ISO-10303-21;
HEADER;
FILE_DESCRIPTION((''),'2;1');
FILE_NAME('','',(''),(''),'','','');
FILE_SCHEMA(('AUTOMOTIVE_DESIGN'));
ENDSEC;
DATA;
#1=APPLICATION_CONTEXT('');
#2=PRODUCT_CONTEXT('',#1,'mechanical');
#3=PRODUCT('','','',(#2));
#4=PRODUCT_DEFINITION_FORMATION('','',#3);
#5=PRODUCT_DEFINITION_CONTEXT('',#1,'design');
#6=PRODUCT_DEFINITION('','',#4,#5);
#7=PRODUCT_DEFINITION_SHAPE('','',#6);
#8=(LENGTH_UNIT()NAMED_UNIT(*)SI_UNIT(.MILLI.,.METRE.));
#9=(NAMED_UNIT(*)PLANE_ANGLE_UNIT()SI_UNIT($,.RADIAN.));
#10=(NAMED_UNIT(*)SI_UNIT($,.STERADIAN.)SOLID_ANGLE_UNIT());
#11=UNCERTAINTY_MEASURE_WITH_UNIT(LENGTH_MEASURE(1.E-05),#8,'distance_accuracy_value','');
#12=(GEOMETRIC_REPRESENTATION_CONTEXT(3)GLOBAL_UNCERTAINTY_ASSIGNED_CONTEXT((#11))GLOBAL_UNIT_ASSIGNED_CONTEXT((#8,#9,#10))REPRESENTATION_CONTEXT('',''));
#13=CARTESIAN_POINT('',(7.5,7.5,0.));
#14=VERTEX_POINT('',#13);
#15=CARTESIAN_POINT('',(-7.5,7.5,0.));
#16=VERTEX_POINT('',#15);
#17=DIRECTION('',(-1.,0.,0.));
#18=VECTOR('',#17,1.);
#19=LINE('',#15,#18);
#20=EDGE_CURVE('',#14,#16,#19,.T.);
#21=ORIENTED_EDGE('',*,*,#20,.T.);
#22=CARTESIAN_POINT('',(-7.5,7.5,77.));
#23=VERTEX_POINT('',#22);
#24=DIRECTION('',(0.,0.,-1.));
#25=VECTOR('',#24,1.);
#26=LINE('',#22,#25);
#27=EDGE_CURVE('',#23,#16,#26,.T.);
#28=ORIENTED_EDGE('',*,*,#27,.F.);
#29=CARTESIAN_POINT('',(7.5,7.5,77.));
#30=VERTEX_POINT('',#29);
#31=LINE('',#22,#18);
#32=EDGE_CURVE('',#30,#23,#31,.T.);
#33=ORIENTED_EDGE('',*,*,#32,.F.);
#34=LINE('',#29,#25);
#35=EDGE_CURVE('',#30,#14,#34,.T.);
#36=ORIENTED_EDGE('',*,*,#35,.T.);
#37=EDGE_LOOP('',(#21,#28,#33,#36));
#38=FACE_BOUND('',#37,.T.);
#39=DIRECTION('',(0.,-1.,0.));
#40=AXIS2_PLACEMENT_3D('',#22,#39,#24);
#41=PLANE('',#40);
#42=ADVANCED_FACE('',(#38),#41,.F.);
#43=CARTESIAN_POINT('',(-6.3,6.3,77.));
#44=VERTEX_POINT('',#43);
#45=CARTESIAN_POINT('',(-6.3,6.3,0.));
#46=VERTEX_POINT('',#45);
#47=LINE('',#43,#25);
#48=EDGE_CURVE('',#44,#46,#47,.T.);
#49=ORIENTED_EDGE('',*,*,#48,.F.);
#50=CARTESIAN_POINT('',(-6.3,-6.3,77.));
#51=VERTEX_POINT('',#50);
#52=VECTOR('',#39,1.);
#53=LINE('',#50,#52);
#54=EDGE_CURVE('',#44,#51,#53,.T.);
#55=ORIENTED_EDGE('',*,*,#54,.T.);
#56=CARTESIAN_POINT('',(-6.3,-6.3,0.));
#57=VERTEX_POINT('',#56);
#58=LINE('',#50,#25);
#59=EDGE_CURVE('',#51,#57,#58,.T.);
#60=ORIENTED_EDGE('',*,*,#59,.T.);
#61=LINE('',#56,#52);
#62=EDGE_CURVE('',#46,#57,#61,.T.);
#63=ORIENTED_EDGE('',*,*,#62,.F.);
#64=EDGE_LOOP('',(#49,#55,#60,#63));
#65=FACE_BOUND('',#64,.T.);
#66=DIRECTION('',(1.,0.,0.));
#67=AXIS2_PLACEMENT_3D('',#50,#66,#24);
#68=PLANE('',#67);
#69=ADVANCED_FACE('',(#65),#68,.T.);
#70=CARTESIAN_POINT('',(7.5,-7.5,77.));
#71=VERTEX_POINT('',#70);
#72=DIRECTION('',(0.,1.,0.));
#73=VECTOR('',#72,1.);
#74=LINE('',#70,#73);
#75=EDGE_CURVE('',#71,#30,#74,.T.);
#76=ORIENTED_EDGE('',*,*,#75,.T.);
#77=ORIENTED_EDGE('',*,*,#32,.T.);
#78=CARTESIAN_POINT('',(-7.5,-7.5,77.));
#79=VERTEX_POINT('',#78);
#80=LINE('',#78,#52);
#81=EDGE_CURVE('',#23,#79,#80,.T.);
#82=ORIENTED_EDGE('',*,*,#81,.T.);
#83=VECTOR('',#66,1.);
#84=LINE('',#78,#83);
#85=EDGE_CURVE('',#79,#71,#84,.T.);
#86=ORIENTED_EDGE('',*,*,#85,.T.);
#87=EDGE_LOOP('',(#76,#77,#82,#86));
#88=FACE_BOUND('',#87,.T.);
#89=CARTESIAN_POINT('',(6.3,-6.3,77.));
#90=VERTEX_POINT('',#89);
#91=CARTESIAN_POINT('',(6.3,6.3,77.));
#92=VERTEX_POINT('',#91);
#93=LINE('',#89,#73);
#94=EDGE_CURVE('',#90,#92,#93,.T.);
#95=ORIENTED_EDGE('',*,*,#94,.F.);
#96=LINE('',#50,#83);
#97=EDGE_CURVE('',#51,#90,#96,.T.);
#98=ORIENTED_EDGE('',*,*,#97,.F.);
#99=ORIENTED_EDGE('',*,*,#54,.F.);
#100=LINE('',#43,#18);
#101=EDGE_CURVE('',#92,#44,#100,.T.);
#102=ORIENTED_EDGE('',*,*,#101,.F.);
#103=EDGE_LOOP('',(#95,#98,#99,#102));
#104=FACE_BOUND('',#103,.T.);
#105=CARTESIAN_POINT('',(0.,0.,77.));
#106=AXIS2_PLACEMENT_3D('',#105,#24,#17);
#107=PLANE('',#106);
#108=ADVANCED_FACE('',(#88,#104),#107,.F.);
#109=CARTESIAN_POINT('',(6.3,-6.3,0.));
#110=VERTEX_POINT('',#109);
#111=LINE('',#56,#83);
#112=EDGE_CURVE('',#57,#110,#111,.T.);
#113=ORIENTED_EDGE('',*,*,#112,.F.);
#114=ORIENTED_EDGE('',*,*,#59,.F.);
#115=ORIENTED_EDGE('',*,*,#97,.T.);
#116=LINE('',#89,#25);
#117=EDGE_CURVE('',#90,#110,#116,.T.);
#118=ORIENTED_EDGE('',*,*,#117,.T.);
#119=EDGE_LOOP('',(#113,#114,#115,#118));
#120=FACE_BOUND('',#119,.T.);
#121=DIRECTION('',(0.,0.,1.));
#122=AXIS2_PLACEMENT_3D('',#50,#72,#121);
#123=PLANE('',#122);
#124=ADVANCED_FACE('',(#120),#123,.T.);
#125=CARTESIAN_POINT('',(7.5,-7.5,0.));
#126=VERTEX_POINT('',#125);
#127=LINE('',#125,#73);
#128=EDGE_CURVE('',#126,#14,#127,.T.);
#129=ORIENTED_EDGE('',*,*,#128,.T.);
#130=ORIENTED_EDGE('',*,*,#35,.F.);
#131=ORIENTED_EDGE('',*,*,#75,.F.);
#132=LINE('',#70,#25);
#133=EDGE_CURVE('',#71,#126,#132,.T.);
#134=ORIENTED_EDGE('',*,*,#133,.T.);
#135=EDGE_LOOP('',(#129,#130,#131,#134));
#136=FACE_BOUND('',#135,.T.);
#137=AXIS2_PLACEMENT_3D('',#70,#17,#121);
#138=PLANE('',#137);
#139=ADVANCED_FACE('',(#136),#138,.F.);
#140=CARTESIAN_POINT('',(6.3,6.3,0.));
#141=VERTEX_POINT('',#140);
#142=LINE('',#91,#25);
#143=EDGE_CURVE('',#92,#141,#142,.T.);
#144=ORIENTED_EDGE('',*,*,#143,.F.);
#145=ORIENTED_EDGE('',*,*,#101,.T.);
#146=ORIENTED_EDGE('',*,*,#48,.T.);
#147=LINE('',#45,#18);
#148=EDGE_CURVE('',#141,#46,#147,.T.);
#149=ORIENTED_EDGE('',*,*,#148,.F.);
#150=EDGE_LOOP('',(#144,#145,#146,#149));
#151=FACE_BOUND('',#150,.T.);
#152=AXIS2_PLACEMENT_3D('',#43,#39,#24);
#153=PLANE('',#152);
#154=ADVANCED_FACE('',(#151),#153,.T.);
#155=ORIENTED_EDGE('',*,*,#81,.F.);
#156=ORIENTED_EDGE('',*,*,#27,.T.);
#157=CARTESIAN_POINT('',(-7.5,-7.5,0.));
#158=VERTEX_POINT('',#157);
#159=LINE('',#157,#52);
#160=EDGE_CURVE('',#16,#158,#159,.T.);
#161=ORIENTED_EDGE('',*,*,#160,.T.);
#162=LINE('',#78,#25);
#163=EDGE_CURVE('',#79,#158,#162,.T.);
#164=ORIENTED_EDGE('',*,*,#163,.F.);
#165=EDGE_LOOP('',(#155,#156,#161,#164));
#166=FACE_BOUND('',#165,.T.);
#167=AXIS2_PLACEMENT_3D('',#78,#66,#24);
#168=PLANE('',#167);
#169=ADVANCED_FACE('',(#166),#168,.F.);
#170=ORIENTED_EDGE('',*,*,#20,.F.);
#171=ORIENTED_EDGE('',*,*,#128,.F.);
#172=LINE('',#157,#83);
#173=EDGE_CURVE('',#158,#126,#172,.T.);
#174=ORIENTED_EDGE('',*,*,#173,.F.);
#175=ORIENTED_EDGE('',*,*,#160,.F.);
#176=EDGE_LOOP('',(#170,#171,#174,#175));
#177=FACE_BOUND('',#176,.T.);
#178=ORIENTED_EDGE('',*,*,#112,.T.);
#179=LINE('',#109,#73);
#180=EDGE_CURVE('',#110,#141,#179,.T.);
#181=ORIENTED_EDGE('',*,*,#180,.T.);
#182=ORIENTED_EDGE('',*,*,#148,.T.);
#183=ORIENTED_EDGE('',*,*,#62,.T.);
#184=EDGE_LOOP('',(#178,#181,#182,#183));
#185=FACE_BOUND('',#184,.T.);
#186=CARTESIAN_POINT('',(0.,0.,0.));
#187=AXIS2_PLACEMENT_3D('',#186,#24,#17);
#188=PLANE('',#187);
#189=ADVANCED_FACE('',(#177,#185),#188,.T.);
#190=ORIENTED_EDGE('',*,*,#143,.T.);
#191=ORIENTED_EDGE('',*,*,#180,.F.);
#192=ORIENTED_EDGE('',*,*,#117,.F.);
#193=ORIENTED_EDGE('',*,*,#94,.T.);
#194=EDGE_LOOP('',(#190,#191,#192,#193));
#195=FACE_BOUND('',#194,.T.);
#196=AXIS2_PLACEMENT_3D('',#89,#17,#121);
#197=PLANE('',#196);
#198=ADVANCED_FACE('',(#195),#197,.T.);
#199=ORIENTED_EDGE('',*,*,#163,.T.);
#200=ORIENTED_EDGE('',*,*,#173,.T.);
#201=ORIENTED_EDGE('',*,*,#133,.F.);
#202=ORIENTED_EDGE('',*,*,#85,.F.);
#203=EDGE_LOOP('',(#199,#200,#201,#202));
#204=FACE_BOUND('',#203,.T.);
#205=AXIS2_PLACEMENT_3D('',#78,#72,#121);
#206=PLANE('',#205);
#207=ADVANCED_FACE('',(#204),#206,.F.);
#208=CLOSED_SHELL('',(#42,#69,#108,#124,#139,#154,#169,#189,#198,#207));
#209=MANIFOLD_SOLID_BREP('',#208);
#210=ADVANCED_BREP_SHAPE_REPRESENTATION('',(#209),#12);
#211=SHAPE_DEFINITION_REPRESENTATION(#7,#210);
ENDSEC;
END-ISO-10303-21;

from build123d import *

# Parameters (mm, degrees)
SKETCH_1_W      = 15
SKETCH_1_H      = 15
SKETCH_1_W_2    = 12.6
SKETCH_1_H_2    = 12.6
EXTRUDE_1_DEPTH = 77


with BuildPart() as part:
    # 草图1 → 凸台-拉伸1 (new body)
    with BuildSketch(Plane.XY):
        Rectangle(SKETCH_1_W, SKETCH_1_H)
        Rectangle(SKETCH_1_W_2, SKETCH_1_H_2, mode=Mode.SUBTRACT)
    extrude(amount=EXTRUDE_1_DEPTH)


solid = part.part
